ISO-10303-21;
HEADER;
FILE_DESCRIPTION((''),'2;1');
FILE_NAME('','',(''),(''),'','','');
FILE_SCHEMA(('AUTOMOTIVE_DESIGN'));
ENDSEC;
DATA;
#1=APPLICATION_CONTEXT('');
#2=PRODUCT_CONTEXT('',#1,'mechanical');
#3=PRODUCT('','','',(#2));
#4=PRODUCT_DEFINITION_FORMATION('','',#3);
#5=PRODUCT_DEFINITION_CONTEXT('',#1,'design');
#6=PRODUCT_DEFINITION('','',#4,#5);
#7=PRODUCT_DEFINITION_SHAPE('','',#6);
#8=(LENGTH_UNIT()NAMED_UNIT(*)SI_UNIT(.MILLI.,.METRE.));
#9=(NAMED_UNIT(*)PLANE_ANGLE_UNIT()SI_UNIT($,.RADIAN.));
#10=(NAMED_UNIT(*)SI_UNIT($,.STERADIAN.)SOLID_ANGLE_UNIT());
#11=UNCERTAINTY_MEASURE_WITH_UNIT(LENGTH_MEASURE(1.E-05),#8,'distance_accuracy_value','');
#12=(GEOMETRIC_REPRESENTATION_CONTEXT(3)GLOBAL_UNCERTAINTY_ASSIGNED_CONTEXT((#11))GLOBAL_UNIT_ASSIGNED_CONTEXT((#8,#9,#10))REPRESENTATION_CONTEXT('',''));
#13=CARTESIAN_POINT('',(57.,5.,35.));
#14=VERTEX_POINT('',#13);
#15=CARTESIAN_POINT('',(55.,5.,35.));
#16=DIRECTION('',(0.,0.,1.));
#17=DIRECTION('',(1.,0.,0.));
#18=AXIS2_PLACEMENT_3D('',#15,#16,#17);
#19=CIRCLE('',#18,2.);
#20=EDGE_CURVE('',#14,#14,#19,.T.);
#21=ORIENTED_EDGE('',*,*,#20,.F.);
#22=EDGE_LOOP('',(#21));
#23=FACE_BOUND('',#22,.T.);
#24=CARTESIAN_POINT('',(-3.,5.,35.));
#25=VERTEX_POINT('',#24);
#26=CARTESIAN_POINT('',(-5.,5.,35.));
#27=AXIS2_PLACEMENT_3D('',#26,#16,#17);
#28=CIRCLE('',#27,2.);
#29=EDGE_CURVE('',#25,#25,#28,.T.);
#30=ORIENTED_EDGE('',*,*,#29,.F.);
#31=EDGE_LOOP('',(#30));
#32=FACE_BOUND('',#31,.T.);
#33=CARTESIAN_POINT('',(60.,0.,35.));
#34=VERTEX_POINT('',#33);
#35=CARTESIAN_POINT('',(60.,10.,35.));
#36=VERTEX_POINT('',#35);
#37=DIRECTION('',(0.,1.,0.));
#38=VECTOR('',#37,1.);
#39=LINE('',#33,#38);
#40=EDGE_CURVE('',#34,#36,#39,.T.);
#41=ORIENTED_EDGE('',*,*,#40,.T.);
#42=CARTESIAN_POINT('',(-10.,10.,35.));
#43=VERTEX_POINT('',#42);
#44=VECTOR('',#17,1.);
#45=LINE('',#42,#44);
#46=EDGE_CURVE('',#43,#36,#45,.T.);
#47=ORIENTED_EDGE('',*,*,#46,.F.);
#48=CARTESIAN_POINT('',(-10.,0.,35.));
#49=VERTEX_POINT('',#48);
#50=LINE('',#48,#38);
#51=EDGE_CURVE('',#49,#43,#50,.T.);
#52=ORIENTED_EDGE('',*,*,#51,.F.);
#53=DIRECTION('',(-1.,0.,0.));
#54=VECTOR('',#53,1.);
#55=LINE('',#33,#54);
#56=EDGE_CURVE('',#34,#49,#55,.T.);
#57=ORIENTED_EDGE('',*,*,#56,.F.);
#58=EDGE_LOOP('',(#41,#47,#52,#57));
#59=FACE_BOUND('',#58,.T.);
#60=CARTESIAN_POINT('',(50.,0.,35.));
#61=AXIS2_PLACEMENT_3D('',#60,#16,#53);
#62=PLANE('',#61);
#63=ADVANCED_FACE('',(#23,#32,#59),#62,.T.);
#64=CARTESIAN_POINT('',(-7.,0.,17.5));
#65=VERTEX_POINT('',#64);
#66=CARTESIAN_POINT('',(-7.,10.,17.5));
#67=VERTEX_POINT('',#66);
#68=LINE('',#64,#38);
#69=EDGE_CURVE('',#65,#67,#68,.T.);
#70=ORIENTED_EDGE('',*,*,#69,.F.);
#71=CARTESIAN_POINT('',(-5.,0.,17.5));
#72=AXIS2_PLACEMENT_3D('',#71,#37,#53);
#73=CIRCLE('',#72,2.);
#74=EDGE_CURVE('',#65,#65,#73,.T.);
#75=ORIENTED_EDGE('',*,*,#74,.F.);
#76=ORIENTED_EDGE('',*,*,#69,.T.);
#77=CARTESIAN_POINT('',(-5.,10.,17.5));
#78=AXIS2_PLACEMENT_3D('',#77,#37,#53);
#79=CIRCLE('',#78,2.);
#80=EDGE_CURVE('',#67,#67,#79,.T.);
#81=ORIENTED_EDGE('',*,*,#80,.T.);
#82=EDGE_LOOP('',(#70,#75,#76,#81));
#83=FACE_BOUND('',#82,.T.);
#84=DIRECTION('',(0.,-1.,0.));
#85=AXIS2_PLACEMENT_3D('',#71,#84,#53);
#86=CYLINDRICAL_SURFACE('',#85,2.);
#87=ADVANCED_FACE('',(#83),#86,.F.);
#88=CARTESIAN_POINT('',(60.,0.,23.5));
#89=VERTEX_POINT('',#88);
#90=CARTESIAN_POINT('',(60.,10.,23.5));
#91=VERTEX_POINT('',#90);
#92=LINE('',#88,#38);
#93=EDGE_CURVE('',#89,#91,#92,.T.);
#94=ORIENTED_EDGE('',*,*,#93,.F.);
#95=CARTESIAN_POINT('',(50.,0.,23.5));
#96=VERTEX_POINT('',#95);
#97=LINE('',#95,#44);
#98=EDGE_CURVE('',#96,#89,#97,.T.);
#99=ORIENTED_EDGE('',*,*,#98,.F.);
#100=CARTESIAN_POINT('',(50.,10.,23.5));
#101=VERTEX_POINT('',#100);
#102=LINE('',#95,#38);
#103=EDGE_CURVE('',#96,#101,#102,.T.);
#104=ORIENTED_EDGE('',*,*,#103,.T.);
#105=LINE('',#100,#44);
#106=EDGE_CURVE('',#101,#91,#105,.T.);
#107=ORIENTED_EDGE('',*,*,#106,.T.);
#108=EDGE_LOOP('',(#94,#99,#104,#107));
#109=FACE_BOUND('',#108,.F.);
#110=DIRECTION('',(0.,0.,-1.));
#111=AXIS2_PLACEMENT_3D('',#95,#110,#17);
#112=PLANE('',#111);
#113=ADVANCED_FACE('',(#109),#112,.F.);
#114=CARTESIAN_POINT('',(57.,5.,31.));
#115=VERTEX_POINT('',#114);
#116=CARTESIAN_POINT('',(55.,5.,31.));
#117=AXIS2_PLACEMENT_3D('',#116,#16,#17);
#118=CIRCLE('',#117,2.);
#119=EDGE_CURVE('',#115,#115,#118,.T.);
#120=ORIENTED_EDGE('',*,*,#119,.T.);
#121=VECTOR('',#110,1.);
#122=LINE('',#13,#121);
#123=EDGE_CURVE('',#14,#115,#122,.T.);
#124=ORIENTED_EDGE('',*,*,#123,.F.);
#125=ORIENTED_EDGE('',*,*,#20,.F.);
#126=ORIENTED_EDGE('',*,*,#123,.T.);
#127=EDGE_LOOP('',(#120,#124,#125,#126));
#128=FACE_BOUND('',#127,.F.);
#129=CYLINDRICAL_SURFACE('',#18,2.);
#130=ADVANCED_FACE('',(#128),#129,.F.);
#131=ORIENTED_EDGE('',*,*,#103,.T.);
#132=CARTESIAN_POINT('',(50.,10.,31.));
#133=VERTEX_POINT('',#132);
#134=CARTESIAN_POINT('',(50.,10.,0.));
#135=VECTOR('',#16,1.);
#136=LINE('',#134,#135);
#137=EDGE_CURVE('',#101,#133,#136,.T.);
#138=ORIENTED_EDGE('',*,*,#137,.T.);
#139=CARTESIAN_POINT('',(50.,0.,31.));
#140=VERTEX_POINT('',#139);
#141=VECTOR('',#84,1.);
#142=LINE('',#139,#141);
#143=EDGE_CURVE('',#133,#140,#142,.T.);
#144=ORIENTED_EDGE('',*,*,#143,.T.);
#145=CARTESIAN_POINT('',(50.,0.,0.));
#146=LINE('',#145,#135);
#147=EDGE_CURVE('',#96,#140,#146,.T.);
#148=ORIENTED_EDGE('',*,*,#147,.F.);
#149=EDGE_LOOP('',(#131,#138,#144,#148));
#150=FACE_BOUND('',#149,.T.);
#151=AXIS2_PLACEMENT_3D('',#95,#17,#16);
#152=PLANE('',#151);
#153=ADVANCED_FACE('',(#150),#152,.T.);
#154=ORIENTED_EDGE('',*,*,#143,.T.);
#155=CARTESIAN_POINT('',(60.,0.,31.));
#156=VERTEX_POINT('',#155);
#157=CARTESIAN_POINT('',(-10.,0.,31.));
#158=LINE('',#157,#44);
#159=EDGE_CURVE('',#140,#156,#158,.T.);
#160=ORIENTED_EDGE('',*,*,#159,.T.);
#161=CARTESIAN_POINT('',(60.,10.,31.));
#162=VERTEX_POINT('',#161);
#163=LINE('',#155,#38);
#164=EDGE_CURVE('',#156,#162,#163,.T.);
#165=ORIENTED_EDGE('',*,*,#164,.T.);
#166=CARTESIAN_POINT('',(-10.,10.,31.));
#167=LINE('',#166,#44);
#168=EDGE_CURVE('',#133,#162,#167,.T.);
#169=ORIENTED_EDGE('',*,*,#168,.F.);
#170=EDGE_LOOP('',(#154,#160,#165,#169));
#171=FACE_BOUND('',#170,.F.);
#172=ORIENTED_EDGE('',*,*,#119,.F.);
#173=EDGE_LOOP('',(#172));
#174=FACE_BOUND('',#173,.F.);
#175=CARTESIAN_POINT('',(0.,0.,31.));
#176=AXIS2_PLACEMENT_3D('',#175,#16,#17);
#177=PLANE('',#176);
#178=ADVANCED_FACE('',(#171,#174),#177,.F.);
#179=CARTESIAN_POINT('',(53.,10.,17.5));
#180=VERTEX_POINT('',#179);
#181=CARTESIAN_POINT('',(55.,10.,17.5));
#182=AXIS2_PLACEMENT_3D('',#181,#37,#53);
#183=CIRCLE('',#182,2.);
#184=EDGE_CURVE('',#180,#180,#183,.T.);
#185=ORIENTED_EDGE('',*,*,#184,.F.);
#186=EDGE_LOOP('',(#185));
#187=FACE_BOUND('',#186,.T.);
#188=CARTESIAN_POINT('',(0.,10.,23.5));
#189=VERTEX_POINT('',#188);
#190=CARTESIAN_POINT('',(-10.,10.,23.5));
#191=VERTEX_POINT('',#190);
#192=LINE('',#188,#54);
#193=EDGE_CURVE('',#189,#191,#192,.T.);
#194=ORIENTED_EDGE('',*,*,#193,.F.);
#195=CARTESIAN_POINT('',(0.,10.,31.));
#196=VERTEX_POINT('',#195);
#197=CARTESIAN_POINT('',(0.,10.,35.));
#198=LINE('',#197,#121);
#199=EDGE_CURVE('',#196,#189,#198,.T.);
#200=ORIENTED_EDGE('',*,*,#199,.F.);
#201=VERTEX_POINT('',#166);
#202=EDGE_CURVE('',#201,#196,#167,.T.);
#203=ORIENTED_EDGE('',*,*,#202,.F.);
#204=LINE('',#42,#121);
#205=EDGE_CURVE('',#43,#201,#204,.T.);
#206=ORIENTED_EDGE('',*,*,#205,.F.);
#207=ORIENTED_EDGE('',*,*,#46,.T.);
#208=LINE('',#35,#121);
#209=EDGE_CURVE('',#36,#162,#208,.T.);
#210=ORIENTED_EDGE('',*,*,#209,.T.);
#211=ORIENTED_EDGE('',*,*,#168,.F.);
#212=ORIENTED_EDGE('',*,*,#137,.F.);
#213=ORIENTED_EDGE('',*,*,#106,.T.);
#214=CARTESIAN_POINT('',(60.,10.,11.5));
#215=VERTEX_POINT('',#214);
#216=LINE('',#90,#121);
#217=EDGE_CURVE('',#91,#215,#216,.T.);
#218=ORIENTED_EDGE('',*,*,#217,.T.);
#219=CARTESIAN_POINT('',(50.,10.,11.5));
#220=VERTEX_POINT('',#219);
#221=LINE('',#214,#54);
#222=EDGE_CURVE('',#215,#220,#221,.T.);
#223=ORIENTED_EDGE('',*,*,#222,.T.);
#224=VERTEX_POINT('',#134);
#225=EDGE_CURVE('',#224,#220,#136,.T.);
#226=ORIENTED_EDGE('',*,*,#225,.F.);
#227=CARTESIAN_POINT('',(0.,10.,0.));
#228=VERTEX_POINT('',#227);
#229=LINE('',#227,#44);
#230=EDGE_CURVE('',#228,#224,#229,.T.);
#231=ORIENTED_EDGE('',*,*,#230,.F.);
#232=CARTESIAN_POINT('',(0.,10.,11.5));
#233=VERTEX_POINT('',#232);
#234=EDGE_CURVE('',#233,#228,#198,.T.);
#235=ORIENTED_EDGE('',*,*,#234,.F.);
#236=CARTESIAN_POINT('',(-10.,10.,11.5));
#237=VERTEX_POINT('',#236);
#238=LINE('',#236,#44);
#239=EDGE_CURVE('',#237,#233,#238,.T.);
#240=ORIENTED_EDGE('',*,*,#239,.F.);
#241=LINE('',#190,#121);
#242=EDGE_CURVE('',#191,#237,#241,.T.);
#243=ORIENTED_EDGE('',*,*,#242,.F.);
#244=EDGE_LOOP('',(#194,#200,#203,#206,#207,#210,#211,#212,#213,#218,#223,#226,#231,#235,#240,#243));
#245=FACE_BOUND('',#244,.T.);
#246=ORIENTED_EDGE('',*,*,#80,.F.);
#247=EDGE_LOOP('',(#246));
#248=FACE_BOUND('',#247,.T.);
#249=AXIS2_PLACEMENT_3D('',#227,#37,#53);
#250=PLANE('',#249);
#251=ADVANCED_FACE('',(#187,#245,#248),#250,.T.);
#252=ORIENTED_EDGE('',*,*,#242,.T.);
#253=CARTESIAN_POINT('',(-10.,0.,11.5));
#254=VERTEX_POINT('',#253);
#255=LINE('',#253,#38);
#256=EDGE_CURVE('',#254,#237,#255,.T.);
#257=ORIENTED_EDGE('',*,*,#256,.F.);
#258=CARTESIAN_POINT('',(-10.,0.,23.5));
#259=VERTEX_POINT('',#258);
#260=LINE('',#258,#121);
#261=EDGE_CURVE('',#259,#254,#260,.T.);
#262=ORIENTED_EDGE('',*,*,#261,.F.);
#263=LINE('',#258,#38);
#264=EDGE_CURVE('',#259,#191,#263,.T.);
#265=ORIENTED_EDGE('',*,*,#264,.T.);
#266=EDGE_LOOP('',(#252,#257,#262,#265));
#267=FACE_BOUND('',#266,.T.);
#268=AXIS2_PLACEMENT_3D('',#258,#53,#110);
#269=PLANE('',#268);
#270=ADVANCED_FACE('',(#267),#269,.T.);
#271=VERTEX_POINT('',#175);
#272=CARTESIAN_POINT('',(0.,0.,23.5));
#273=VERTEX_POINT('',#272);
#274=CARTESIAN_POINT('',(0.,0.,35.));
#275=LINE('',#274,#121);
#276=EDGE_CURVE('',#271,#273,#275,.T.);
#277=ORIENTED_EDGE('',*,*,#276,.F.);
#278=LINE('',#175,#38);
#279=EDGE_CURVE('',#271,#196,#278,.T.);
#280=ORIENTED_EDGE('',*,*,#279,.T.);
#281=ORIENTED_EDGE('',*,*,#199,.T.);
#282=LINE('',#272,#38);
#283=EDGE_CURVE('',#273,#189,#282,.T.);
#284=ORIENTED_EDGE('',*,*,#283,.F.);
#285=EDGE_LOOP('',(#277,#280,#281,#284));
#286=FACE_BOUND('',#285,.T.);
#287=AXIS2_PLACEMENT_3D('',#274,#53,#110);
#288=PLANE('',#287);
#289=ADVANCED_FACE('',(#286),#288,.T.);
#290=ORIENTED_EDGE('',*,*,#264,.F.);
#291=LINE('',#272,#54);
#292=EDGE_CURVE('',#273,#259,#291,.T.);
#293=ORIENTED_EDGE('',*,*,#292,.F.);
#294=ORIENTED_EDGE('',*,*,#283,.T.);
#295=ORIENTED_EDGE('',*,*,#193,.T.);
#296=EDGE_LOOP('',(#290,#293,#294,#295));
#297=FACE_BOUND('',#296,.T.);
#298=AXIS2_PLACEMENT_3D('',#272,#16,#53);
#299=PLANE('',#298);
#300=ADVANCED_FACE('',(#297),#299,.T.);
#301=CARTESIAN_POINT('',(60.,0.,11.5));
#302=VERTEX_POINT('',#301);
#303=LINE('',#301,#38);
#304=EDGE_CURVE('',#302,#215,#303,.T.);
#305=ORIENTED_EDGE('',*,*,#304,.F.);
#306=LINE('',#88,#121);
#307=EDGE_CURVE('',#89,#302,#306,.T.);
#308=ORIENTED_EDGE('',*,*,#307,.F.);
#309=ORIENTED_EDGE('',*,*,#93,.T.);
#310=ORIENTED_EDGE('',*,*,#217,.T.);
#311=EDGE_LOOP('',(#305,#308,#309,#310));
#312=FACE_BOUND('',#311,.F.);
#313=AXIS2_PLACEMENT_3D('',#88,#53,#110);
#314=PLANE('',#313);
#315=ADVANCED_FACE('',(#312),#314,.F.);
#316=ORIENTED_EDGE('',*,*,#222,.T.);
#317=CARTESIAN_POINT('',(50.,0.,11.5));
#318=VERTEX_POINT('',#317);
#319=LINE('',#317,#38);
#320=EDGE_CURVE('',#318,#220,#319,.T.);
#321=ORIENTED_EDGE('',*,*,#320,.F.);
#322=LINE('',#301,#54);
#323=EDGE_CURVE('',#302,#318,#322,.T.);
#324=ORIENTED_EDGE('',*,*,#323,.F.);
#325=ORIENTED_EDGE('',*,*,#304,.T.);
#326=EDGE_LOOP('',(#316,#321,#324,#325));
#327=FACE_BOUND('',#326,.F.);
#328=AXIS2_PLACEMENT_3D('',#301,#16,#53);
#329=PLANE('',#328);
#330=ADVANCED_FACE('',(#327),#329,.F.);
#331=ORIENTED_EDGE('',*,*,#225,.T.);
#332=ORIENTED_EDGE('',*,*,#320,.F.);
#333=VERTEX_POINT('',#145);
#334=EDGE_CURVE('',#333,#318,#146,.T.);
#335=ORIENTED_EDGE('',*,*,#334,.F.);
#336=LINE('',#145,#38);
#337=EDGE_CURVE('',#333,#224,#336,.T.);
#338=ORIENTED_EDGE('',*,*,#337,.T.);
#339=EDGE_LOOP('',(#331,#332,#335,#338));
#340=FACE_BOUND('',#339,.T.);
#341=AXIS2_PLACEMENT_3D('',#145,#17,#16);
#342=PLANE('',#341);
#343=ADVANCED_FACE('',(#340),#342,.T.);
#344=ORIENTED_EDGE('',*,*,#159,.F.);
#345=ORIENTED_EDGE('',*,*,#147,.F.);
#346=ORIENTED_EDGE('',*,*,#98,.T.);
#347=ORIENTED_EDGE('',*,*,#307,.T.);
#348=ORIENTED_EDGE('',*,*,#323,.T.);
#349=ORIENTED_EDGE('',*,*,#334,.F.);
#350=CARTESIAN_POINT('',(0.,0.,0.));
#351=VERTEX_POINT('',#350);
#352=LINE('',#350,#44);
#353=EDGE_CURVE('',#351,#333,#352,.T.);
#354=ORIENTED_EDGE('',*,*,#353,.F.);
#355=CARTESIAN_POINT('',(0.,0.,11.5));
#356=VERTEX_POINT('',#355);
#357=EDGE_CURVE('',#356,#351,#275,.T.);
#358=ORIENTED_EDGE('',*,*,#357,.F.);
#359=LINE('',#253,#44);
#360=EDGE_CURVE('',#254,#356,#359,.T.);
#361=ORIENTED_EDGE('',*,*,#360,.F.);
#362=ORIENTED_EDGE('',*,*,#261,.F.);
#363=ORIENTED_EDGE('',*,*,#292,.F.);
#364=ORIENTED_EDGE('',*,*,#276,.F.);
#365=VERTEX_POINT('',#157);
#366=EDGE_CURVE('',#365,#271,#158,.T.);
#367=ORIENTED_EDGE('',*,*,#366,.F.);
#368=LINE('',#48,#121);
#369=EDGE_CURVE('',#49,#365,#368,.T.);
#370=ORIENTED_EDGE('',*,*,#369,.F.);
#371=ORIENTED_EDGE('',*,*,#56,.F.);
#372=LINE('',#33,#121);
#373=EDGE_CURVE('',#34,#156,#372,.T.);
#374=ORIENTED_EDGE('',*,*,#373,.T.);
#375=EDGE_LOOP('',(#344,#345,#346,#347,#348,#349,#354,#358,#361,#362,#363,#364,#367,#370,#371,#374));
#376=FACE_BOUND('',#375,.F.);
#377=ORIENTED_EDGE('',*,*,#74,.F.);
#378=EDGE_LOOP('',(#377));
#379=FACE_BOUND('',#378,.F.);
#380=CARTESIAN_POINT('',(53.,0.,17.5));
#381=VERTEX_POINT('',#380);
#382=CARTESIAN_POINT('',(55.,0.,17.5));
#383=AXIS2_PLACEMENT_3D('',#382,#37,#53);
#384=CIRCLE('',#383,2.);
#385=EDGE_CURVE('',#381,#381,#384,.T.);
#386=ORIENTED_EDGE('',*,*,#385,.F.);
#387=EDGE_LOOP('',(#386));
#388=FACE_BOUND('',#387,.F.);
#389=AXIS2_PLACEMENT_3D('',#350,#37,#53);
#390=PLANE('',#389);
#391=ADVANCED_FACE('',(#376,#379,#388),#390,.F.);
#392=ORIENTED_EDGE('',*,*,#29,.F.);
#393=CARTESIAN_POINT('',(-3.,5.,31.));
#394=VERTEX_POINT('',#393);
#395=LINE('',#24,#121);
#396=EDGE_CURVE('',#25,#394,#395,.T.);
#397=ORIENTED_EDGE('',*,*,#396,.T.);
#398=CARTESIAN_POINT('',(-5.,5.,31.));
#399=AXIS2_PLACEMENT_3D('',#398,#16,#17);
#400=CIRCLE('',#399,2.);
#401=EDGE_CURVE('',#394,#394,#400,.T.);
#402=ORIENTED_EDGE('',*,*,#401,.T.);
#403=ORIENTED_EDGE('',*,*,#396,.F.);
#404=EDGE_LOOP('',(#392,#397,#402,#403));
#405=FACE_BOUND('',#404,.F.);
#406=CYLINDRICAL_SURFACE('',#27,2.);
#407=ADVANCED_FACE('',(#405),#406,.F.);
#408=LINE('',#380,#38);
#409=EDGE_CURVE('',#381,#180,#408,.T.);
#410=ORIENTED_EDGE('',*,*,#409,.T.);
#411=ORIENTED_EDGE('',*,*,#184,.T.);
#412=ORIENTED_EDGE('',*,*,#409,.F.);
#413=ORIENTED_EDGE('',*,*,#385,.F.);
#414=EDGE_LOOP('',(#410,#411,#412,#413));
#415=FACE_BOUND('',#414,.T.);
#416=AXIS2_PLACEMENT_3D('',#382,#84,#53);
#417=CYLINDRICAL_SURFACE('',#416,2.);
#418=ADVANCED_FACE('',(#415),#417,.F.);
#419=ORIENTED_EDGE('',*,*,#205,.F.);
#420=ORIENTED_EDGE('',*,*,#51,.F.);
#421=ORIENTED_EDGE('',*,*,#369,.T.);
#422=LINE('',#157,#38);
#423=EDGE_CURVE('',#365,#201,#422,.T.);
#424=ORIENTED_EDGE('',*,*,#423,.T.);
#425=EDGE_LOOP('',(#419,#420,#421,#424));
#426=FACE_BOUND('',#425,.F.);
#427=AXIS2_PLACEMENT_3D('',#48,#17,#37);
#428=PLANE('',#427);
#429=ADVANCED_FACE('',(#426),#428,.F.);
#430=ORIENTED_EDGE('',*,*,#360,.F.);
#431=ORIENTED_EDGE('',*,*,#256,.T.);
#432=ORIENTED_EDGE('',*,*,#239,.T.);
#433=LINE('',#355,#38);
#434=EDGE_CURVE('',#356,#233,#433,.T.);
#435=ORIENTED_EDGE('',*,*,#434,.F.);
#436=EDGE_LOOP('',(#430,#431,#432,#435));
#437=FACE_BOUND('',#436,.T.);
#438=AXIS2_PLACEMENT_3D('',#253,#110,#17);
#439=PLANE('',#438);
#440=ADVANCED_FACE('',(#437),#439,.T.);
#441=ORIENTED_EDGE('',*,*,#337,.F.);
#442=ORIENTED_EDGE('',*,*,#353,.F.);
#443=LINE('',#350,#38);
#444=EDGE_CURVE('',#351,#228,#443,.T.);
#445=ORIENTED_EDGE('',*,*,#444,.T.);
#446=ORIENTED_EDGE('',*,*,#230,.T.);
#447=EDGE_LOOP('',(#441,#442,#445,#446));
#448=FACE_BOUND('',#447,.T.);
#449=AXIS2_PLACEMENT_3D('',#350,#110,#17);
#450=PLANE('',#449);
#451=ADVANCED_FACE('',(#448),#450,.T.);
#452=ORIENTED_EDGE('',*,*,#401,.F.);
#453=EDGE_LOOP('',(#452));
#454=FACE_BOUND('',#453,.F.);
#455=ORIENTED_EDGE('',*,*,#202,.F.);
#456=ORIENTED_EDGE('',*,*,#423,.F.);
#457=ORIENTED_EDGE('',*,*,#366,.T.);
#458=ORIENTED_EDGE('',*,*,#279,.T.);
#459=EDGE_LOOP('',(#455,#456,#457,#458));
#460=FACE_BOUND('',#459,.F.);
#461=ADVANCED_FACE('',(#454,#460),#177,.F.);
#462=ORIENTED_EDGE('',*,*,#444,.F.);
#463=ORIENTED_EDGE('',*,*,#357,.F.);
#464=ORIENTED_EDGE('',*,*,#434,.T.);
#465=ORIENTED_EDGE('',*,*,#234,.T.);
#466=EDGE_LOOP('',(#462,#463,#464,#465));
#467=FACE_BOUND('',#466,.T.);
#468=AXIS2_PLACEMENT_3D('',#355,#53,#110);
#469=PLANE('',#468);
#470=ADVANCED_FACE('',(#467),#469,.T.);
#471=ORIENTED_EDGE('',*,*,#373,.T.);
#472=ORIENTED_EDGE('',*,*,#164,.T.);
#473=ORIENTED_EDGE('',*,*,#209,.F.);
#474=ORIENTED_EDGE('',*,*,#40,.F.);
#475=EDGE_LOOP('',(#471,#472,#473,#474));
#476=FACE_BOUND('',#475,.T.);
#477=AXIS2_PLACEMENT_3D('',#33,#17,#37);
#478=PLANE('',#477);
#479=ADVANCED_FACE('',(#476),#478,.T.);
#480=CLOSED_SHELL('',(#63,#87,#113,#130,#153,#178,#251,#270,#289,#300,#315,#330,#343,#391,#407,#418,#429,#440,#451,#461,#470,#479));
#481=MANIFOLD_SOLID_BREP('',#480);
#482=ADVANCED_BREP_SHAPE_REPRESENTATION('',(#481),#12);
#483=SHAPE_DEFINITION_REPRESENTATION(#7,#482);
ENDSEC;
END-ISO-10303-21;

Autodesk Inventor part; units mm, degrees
ref_plane "YZ Plane" through (0, 0, 0) normal (1, 0, 0) x (0, 1, 0)
ref_plane "XZ Plane" through (0, 0, 0) normal (0, 1, 0) x (-1, 0, 0)
ref_plane "XY Plane" through (0, 0, 0) normal (0, 0, 1) x (1, 0, 0)
sketch "Sketch1" plane through (0, 0, 0) normal (0, 1, 0) x (-1, 0, 0)
  line L0 (0, 0) -> (-50, 0)
  line L1 (-50, 0) -> (-50, 35)
  line L2 (-50, 35) -> (0, 35)
  line L3 (0, 35) -> (0, 0)
  line L4 (0, 23.5) -> (10, 23.5)
  line L5 (10, 23.5) -> (10, 11.5)
  line L6 (10, 11.5) -> (0, 11.5)
  line L7 (0, 11.5) -> (0, 23.5)
  line L8 (-50, 23.5) -> (-60, 23.5)
  line L9 (-60, 23.5) -> (-60, 11.5)
  line L10 (-60, 11.5) -> (-50, 11.5)
  line L11 (-50, 11.5) -> (-50, 23.5)
  circle A0 centre (5, 17.5) radius 2
  circle A1 centre (-55, 17.5) radius 2
  dimension "d0" = 50
  dimension "d1" = 35
  dimension "d2" = 10
  dimension "d3" = 12
  dimension "d4" = 11.5
  dimension "d5" = 10
  dimension "d6" = 4
  dimension "d7" = 4
extrude "Extrusion1" add sketch "Sketch1" along normal blind 10
sketch "Sketch2" plane through (0, 0, 35) normal (0, 0, 1) x (1, 0, 0)
  line L0 (50, 0) -> (0, 0) projected
  line L1 (50, 0) -> (50, 10) projected
  line L2 (0, 10) -> (50, 10) projected
  line L3 (0, 0) -> (0, 10) projected
  line L4 (0, 0) -> (-10, 0) projected
  line L5 (0, 0) -> (0, 10) projected
  line L6 (-10, 10) -> (0, 10) projected
  line L7 (-10, 0) -> (-10, 10) projected
  line L8 (50, 0) -> (60, 0) projected
  line L9 (60, 0) -> (60, 10) projected
  line L10 (50, 10) -> (60, 10) projected
  line L11 (50, 0) -> (50, 10) projected
  circle A0 centre (-5, 5) radius 2
  circle A1 centre (55, 5) radius 2
  dimension "d10" = 4
  dimension "d11" = 4
extrude "Extrusion2" add sketch "Sketch2" against normal blind 4
properties part number "00_laserdriver_Pcb"
